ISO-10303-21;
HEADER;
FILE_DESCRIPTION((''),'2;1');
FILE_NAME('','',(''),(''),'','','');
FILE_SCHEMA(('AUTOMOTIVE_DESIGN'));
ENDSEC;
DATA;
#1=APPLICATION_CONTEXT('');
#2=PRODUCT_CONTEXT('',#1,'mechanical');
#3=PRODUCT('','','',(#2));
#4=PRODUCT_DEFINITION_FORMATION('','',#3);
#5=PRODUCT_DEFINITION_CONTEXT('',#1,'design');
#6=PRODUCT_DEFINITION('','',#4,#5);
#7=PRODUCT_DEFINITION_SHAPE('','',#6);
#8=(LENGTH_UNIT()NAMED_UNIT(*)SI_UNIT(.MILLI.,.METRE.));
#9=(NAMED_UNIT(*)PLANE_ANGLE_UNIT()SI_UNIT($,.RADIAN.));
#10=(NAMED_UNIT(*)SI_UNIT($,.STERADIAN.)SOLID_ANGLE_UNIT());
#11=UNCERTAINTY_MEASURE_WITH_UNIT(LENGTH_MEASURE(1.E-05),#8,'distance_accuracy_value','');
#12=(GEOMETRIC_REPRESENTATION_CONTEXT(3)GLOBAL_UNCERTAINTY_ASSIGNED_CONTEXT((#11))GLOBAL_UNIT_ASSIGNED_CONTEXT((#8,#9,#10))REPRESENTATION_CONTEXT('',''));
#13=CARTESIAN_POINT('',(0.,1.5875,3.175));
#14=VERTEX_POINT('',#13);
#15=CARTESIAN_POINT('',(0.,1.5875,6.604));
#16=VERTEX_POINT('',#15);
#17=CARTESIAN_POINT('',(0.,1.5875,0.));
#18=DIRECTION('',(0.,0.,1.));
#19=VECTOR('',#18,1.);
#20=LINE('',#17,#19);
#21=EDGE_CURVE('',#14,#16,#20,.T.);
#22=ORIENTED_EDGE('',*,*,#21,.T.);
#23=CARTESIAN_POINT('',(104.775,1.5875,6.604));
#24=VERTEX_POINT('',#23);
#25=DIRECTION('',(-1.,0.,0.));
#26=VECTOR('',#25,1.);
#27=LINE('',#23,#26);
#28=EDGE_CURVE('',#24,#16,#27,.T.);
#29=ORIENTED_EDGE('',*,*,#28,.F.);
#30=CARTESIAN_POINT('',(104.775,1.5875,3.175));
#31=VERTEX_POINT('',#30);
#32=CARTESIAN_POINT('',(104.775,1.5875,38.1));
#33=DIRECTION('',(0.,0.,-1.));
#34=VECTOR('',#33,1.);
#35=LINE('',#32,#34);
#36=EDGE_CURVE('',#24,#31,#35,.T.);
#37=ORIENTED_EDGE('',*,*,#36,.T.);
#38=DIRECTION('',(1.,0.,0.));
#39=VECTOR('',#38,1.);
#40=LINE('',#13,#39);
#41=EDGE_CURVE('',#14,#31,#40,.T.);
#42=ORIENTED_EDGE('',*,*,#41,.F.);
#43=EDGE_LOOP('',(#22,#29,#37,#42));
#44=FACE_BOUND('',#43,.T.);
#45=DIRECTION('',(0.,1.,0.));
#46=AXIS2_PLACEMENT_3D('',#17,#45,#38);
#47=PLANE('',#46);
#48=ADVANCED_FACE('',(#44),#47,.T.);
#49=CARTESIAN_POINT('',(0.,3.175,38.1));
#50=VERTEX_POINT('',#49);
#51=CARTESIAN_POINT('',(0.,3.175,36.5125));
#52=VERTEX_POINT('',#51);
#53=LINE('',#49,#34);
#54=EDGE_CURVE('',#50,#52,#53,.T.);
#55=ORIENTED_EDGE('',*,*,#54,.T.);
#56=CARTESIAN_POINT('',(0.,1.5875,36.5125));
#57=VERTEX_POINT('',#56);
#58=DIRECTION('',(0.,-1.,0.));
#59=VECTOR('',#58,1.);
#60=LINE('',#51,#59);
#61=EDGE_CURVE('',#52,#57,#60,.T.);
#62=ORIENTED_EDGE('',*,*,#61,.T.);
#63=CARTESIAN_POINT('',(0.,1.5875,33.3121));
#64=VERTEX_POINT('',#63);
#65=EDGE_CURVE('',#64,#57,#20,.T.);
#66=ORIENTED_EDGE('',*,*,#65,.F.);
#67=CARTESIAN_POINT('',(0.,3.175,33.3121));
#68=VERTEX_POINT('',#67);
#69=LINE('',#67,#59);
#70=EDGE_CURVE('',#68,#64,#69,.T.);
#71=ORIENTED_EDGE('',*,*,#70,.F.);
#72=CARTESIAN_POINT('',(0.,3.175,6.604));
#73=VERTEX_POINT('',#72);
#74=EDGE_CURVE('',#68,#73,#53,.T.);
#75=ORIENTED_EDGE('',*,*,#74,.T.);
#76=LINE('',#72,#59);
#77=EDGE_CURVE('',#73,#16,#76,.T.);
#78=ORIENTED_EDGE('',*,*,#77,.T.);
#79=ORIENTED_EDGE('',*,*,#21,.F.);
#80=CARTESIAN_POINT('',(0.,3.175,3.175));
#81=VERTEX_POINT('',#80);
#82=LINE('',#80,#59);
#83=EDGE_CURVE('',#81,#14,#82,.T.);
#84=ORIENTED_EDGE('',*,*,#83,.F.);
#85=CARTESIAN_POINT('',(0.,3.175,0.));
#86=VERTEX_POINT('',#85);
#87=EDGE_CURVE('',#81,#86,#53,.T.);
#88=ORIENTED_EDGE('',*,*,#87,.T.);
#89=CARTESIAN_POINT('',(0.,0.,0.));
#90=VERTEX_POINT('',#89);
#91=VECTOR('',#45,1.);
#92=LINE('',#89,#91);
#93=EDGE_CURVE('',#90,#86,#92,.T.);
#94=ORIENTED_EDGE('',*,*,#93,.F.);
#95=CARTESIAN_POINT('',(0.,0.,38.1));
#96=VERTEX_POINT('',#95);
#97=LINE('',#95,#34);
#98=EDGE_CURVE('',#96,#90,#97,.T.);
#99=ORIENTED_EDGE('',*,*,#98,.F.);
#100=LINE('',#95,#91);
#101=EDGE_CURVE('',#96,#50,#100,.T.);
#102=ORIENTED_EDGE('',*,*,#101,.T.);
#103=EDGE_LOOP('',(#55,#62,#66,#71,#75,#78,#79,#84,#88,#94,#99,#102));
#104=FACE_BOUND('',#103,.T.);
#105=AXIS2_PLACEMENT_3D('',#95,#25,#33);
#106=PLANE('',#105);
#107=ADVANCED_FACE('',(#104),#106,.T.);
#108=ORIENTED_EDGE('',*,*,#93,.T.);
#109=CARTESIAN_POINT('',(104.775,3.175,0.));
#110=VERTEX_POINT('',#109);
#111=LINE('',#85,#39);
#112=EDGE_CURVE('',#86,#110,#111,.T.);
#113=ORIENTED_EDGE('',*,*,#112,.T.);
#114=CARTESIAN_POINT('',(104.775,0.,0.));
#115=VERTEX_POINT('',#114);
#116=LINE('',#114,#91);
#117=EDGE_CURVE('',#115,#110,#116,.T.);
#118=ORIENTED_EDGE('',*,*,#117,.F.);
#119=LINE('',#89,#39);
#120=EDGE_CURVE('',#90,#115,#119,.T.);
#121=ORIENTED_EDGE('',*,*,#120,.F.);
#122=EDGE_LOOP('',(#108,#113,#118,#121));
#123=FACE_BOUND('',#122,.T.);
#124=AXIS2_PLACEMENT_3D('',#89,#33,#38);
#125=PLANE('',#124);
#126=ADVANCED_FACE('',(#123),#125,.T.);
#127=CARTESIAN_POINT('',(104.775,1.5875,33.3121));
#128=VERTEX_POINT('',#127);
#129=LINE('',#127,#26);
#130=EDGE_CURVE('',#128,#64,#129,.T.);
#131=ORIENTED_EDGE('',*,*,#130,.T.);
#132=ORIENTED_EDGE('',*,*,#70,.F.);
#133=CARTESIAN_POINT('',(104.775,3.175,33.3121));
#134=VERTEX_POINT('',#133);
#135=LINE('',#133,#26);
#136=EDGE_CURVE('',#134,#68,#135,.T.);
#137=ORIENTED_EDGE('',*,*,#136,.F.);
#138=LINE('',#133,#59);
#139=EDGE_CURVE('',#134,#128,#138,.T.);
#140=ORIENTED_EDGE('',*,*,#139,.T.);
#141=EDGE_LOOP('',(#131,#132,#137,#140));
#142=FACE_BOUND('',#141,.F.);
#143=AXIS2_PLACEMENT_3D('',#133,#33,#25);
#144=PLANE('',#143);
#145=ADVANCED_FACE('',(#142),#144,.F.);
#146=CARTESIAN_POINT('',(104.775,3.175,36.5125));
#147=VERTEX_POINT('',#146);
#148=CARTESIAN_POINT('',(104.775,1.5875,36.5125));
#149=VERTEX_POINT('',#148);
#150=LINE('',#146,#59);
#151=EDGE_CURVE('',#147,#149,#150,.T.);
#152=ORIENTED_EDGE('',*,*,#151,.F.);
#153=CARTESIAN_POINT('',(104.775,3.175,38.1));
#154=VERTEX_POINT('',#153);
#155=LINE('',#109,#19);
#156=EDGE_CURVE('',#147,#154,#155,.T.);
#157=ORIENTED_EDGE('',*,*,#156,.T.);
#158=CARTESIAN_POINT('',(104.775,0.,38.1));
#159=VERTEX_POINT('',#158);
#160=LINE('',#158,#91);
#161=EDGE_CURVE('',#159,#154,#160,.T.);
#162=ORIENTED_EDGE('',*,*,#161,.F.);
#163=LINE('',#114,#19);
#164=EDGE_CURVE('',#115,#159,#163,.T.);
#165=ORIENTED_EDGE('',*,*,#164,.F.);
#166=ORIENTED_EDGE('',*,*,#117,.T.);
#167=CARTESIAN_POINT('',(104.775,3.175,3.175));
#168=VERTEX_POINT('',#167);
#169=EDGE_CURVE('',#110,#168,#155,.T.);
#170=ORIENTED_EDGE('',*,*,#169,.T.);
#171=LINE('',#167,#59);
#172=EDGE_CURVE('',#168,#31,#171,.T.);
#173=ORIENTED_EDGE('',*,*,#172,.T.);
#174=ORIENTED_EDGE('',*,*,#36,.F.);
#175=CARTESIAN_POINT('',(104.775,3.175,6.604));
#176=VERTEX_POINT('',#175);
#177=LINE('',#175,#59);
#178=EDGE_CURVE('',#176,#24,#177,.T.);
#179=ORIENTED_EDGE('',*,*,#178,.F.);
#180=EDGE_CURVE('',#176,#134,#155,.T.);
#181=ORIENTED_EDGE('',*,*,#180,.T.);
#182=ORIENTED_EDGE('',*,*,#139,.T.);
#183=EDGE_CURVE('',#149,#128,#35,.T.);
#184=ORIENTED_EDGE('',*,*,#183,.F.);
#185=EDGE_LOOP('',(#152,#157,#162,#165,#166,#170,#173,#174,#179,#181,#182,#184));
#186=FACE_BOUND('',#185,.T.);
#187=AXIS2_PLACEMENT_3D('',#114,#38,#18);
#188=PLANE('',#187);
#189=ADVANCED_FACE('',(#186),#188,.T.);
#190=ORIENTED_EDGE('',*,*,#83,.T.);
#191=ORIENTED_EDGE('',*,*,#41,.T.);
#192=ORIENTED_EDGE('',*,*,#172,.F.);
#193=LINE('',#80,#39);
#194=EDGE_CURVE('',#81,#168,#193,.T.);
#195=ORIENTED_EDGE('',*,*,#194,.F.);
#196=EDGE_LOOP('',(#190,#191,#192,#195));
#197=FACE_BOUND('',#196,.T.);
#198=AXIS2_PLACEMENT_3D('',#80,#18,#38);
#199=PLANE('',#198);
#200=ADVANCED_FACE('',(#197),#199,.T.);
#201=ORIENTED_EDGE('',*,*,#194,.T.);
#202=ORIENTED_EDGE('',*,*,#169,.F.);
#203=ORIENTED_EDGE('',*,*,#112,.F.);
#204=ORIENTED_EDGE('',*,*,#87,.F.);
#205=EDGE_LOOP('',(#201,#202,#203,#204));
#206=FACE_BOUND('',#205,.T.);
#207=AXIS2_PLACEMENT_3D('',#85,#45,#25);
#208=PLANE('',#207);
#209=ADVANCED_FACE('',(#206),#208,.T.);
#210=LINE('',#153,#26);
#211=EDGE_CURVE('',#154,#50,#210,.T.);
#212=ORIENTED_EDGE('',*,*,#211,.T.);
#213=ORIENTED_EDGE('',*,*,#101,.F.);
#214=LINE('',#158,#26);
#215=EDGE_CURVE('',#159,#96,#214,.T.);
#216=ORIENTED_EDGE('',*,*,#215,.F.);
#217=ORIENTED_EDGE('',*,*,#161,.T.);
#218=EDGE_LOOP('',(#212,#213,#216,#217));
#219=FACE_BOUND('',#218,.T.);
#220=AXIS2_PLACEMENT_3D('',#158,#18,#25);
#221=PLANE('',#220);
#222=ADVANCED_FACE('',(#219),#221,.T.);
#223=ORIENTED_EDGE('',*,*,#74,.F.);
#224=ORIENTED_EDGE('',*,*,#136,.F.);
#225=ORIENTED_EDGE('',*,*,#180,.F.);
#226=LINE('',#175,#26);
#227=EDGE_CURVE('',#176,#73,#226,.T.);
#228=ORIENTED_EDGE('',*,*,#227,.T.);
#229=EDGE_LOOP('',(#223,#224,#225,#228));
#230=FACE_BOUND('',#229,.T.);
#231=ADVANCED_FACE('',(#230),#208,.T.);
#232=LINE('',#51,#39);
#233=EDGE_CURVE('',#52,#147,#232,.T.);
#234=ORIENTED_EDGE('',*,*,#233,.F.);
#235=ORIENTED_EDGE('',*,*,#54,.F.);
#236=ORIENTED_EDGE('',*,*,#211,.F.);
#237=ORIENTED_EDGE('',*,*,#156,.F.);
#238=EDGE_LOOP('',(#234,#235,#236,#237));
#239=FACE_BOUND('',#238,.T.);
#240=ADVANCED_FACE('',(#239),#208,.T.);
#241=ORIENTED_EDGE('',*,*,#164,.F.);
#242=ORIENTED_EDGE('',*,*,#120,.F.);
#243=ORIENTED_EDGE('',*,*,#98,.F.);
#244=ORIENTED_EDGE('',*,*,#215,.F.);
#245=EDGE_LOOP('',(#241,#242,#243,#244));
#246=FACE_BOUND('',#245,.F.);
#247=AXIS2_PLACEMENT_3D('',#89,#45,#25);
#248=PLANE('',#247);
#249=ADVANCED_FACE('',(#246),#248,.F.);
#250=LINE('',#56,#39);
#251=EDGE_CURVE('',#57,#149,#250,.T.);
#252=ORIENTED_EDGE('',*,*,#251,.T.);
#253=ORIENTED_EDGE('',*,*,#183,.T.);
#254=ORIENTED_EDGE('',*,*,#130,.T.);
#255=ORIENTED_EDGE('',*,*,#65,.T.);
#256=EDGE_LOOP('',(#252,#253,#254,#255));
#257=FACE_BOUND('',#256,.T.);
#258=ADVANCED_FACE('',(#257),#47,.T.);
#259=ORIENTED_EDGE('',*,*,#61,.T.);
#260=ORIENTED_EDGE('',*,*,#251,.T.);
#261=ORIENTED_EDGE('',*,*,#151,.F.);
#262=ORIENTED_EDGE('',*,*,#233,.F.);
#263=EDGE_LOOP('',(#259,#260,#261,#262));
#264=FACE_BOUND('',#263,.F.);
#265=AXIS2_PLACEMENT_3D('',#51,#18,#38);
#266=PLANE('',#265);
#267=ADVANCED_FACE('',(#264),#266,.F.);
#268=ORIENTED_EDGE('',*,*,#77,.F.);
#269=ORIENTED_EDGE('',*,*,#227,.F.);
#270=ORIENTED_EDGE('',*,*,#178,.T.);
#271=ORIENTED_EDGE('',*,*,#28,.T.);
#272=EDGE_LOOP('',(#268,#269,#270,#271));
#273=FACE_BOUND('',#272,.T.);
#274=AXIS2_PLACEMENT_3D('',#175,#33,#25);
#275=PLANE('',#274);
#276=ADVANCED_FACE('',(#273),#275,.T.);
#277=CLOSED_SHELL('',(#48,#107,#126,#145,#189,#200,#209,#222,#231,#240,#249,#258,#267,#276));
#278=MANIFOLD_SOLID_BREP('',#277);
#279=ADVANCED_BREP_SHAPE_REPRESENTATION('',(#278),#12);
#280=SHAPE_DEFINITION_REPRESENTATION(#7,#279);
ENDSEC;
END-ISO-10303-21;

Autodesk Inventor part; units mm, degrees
ref_plane "YZ Plane" through (0, 0, 0) normal (1, 0, 0) x (0, 1, 0)
ref_plane "XZ Plane" through (0, 0, 0) normal (0, 1, 0) x (-1, 0, 0)
ref_plane "XY Plane" through (0, 0, 0) normal (0, 0, 1) x (1, 0, 0)
sketch "Sketch1" plane through (0, 0, 0) normal (0, 1, 0) x (-1, 0, 0)
  line L0 (0, 0) -> (-104.775, 0)
  line L1 (-104.775, 0) -> (-104.775, 38.1)
  line L2 (-104.775, 38.1) -> (0, 38.1)
  line L3 (0, 38.1) -> (0, 0)
  dimension "d0" = 104.775
  dimension "d1" = 38.1
extrude "Extrusion1" add sketch "Sketch1" along normal blind 3.175
sketch "Sketch2" plane through (0, 3.175, 0) normal (0, 1, 0) x (1, 0, 0)
  line L0 (104.775, 0) -> (0, 0) projected
  line L1 (0, 0) -> (0, -38.1) projected
  line L2 (0, -38.1) -> (104.775, -38.1) projected
  line L3 (104.775, -38.1) -> (104.775, 0) projected
  line L4 (0, -3.175) -> (104.775, -3.175)
  line L5 (104.775, -3.175) -> (104.775, -6.604)
  line L6 (104.775, -6.604) -> (0, -6.604)
  line L7 (0, -6.604) -> (0, -3.175)
  line L8 (104.775, -33.3121) -> (0, -33.3121)
  line L9 (0, -33.3121) -> (0, -36.5125)
  line L10 (0, -36.5125) -> (104.775, -36.5125)
  line L11 (104.775, -36.5125) -> (104.775, -33.3121)
  dimension "d4" = 3.429
  dimension "d5" = 3.175
  dimension "d6" = 3.2004
  dimension "d7" = 1.5875
extrude "Extrusion2" cut sketch "Sketch2" against normal blind 1.5875 contours L3 L6 L1 L4 | L3 L10 L1 L8
properties part number "Electronics Container Part 3"
